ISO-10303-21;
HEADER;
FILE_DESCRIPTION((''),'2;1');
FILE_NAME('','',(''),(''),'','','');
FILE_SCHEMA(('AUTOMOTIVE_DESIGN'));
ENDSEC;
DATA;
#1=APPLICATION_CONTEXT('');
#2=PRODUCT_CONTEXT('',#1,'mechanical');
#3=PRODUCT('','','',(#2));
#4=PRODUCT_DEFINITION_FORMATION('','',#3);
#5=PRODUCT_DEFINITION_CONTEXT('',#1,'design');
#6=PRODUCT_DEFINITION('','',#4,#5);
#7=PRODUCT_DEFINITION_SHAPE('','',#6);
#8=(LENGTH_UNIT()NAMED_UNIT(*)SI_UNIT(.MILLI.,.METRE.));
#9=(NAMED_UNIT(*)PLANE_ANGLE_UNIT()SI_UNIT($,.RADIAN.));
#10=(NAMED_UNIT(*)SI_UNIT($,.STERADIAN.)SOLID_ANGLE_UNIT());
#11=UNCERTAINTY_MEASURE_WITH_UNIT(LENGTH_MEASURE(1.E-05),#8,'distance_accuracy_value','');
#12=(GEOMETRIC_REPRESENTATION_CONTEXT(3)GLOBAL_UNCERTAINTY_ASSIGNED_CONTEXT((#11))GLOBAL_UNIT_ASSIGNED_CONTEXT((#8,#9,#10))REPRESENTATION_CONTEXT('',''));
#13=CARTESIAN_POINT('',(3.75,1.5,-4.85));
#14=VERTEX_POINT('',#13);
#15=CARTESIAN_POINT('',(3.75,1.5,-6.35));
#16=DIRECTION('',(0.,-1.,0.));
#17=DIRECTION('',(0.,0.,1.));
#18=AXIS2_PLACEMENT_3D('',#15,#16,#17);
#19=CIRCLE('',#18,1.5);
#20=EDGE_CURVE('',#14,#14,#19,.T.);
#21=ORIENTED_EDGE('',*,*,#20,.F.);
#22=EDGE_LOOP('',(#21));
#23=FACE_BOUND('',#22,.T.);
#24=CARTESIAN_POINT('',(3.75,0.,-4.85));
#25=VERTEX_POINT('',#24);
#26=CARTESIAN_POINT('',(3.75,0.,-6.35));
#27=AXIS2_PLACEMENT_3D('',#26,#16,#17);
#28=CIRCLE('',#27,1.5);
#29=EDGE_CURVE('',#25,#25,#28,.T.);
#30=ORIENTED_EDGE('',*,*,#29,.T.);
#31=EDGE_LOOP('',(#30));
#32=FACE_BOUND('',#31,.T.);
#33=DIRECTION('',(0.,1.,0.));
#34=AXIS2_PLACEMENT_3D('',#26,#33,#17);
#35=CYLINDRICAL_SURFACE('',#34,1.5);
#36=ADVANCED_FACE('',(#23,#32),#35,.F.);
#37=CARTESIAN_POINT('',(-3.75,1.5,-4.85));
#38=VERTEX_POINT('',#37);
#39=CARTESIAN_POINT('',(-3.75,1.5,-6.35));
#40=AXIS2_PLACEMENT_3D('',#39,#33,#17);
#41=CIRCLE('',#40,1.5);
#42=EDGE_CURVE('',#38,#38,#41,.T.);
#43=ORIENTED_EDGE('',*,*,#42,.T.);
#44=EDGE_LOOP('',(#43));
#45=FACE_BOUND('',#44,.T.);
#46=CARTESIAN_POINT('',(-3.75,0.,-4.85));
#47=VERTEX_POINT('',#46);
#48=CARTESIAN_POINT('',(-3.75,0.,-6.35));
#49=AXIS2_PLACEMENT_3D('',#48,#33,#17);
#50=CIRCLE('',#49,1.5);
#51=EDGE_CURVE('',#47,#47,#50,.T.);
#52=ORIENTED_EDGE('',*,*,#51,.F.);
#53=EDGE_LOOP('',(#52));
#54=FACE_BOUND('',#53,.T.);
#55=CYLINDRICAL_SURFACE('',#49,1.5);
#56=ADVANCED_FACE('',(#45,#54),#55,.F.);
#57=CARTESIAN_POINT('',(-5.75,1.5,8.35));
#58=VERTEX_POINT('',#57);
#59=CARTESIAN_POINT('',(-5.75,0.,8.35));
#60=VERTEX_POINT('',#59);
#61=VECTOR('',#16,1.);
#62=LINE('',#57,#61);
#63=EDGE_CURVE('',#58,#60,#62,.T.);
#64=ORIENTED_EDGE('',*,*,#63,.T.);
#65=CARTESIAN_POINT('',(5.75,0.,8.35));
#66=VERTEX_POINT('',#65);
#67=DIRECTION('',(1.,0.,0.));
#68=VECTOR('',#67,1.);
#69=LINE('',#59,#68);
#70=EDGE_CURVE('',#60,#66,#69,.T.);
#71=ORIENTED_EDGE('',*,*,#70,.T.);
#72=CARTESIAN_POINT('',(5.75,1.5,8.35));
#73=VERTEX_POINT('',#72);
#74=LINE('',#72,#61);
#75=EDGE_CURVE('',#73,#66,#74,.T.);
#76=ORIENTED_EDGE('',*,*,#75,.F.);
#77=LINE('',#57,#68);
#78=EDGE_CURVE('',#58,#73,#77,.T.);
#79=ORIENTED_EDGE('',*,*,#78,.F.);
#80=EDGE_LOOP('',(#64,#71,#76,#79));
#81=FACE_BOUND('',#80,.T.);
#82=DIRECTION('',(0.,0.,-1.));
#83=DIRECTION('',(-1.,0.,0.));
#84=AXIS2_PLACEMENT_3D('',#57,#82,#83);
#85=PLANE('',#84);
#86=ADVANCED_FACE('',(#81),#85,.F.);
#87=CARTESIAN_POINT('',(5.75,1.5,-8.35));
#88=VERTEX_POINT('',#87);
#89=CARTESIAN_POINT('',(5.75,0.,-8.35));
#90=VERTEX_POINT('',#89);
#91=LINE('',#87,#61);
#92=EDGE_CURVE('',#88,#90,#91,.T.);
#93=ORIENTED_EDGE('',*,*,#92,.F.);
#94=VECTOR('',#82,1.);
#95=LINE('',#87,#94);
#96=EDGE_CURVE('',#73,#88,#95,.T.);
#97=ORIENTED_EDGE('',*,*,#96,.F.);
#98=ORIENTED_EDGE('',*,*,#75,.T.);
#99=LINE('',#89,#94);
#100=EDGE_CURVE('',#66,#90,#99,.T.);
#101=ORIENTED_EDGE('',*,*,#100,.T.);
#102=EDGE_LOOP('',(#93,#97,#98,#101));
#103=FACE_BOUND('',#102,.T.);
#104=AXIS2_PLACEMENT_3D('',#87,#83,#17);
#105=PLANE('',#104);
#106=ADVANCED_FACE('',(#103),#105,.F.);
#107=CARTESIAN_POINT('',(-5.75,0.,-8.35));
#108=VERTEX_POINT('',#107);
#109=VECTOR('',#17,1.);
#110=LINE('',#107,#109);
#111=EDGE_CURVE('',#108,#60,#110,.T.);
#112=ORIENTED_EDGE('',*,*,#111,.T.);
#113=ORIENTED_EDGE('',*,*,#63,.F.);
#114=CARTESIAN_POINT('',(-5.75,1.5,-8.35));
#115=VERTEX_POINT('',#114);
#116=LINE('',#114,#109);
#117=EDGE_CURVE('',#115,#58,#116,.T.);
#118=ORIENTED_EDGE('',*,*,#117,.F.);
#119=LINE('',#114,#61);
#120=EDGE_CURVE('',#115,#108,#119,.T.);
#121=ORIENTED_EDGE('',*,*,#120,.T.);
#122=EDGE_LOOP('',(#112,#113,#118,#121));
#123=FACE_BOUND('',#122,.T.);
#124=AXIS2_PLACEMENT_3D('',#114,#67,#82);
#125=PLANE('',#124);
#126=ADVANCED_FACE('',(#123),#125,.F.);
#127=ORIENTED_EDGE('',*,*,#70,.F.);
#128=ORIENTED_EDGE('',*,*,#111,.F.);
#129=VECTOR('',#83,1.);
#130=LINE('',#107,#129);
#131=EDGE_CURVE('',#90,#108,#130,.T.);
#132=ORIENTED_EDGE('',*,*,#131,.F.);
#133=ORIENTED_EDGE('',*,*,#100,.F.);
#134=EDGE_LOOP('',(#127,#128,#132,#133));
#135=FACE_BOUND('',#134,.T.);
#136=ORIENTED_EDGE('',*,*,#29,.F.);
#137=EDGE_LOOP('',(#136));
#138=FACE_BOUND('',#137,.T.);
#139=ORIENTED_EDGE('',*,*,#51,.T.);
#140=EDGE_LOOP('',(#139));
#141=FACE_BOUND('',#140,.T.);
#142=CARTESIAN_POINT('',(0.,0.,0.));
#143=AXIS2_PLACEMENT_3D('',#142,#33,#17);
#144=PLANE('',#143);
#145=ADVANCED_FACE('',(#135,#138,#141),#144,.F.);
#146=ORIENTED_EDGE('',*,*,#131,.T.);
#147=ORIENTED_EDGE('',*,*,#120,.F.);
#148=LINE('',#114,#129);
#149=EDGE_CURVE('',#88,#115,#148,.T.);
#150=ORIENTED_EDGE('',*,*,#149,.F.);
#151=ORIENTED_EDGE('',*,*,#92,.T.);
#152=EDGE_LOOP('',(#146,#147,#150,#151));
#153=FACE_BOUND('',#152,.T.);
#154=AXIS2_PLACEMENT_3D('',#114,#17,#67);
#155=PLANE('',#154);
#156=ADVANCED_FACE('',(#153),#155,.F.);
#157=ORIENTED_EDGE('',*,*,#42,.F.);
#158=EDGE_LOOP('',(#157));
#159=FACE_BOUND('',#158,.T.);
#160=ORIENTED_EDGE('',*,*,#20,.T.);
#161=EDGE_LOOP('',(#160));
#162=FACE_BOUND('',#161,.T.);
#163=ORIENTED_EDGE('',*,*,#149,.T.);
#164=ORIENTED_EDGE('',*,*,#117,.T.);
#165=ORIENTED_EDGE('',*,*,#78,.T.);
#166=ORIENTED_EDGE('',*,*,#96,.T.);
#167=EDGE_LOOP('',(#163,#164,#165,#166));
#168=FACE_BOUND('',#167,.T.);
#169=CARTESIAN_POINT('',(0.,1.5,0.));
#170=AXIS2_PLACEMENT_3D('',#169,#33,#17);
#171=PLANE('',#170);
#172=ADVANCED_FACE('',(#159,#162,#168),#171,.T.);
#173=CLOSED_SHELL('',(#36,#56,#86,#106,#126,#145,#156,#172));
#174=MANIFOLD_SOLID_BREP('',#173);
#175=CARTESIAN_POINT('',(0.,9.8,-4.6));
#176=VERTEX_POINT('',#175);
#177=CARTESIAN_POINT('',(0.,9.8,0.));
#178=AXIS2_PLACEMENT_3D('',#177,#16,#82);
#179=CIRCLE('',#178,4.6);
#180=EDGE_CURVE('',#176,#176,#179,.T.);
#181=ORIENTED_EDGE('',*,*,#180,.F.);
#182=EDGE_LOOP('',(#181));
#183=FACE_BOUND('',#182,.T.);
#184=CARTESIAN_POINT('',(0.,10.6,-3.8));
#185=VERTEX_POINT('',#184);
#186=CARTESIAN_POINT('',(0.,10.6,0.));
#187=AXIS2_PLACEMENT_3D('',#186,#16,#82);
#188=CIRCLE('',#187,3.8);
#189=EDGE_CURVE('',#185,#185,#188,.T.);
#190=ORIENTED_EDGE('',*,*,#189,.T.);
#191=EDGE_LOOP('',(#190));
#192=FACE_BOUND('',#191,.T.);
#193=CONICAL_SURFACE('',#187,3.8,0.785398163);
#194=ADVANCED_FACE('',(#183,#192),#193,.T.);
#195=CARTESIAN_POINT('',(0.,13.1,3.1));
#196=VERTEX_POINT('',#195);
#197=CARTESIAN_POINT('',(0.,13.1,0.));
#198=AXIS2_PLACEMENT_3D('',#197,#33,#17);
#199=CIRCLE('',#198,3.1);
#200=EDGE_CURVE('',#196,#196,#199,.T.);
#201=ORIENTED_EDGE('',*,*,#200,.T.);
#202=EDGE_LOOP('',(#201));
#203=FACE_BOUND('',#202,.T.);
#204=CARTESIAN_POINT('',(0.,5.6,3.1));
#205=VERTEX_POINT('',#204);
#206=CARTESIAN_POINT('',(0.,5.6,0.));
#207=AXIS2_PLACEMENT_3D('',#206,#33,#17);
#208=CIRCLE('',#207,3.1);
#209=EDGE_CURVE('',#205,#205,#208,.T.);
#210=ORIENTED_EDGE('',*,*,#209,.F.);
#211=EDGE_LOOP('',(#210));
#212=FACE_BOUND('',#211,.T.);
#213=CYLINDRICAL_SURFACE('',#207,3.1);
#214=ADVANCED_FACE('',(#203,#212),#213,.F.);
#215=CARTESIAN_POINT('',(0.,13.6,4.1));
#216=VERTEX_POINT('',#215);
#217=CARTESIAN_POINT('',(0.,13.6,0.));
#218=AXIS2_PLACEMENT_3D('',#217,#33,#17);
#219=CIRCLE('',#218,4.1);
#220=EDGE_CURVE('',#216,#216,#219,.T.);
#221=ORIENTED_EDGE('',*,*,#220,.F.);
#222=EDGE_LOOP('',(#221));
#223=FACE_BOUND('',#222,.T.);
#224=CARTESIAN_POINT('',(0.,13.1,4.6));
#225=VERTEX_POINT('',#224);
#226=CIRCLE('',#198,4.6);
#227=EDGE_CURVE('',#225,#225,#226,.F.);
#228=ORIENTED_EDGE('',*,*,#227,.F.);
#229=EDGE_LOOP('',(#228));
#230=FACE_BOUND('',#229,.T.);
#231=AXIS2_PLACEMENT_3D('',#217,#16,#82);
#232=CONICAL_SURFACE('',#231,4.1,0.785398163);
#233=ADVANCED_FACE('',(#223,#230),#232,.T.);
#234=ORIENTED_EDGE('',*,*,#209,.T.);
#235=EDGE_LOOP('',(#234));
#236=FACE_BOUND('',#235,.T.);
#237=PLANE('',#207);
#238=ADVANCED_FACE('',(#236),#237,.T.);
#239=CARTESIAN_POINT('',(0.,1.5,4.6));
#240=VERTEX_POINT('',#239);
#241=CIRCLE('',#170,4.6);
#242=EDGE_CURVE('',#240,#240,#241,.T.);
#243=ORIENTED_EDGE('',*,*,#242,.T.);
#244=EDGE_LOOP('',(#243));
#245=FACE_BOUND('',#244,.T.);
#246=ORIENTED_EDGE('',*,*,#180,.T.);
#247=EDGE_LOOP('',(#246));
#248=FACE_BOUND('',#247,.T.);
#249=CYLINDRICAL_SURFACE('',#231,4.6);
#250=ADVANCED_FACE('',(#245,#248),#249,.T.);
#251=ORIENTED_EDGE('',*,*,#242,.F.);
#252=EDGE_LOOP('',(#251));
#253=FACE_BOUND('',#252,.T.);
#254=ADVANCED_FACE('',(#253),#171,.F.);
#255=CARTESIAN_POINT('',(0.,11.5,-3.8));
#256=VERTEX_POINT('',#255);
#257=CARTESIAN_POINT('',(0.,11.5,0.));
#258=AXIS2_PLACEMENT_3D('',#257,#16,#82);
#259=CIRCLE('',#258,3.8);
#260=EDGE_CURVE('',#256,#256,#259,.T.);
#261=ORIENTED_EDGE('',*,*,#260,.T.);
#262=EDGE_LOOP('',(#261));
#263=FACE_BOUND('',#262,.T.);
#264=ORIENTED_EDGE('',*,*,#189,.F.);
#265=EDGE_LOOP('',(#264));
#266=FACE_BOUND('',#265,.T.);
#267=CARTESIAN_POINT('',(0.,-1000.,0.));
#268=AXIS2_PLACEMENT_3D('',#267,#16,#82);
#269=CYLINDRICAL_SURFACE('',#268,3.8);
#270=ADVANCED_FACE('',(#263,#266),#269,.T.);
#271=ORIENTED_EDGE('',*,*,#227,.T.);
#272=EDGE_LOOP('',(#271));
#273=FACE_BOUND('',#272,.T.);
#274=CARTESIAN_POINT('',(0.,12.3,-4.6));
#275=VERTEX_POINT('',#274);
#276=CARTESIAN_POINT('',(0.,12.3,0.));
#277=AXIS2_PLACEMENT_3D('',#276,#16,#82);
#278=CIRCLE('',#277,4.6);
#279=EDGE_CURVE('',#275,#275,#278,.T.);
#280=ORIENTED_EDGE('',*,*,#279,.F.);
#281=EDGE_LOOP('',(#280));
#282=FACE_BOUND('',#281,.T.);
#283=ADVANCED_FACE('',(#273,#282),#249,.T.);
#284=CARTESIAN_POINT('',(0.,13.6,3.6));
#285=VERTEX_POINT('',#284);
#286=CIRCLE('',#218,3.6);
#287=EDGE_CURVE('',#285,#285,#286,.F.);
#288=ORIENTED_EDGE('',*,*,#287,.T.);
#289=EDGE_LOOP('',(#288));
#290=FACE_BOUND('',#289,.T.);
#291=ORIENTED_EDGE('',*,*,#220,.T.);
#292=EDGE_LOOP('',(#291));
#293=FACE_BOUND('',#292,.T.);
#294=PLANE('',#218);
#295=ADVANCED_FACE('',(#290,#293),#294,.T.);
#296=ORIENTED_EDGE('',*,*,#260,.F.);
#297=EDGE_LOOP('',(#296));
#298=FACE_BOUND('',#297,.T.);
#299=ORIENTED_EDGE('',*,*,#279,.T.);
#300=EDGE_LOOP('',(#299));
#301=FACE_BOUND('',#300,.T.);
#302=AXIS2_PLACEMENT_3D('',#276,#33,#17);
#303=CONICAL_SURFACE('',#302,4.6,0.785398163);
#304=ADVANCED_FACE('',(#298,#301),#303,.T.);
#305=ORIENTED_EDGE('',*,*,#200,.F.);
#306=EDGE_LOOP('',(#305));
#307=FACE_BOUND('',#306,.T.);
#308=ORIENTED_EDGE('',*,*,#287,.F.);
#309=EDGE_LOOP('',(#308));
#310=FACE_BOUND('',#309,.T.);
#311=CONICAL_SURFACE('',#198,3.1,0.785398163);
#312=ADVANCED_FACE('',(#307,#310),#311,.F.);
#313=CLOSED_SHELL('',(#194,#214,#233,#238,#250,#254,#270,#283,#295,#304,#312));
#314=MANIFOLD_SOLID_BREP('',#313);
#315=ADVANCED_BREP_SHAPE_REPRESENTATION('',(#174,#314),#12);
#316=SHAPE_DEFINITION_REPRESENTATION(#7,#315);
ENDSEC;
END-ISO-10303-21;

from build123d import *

# Parameters (mm, degrees)
SKETCH1_W           = 11.5
SKETCH1_H           = 16.7
BOSS_EXTRUDE1_DEPTH = 1.5
SKETCH5_R           = 1.5
CUT_EXTRUDE2_DEPTH  = 11.248658449
SKETCH2_R           = 4.6
BOSS_EXTRUDE2_DEPTH = 12.1
CHAMFER1_SIZE       = 0.5
SKETCH4_R           = 3.1
CUT_EXTRUDE1_DEPTH  = 8
CHAMFER2_SIZE       = 0.5


with BuildPart() as part:
    # Sketch1 → Boss-Extrude1 (new body)
    with BuildSketch(Plane(origin=(0, 0, 0), x_dir=(1, 0, 0), z_dir=(0, 1, 0))):
        Rectangle(SKETCH1_W, SKETCH1_H)
    extrude(amount=BOSS_EXTRUDE1_DEPTH)

    # Sketch5 → Cut-Extrude2 (cut, through all)
    with BuildSketch(Plane(origin=(0, 1.5, 0), x_dir=(1, 0, 0), z_dir=(0, 1, 0))):
        with Locations(Location((-3.75, 6.35, 0), (0, 0, 270))):
            Circle(SKETCH5_R)
    cut_extrude2 = extrude(amount=-CUT_EXTRUDE2_DEPTH, mode=Mode.SUBTRACT)

    # Mirror1: Cut-Extrude2 across plane
    add(cut_extrude2.mirror(Plane(origin=(0, 0, 0), x_dir=(0, 0, 1), z_dir=(1, 0, 0))), mode=Mode.SUBTRACT)


with BuildPart() as body_2:
    # Sketch2 → Boss-Extrude2 (new body)
    with BuildSketch(Plane(origin=(0, 1.5, 0), x_dir=(1, 0, 0), z_dir=(0, 1, 0))):
        with Locations(Location((0, 0, 0), (0, 0, 270))):
            Circle(SKETCH2_R)
    extrude(amount=BOSS_EXTRUDE2_DEPTH)

    # Chamfer1
    chamfer1_edges = [body_2.edges().sort_by_distance(p)[0] for p in [
        (0, 13.6, -4.6),
    ]]
    chamfer(chamfer1_edges, length=CHAMFER1_SIZE)

    # Sketch3 → Cut-Revolve1 (revolve, cut)
    with BuildSketch(Plane(origin=(0, 0, 0), x_dir=(0, 0, -1), z_dir=(1, 0, 0))):
        Polygon((4.6, 12.3), (3.8, 11.5), (3.8, 10.6), (4.6, 9.8), align=None)
    revolve(axis=Axis((0, -1000, 0), (0, 1, 0)), mode=Mode.SUBTRACT)

    # Sketch4 → Cut-Extrude1 (cut)
    with BuildSketch(Plane(origin=(0, 13.6, 0), x_dir=(1, 0, 0), z_dir=(0, 1, 0))):
        with Locations(Location((0, 0, 0), (0, 0, 270))):
            Circle(SKETCH4_R)
    extrude(amount=-CUT_EXTRUDE1_DEPTH, mode=Mode.SUBTRACT)

    # Chamfer2
    chamfer2_edges = [body_2.edges().sort_by_distance(p)[0] for p in [
        (0, 13.6, -3.1),
    ]]
    chamfer(chamfer2_edges, length=CHAMFER2_SIZE)


solid = Compound([part.part, body_2.part])
